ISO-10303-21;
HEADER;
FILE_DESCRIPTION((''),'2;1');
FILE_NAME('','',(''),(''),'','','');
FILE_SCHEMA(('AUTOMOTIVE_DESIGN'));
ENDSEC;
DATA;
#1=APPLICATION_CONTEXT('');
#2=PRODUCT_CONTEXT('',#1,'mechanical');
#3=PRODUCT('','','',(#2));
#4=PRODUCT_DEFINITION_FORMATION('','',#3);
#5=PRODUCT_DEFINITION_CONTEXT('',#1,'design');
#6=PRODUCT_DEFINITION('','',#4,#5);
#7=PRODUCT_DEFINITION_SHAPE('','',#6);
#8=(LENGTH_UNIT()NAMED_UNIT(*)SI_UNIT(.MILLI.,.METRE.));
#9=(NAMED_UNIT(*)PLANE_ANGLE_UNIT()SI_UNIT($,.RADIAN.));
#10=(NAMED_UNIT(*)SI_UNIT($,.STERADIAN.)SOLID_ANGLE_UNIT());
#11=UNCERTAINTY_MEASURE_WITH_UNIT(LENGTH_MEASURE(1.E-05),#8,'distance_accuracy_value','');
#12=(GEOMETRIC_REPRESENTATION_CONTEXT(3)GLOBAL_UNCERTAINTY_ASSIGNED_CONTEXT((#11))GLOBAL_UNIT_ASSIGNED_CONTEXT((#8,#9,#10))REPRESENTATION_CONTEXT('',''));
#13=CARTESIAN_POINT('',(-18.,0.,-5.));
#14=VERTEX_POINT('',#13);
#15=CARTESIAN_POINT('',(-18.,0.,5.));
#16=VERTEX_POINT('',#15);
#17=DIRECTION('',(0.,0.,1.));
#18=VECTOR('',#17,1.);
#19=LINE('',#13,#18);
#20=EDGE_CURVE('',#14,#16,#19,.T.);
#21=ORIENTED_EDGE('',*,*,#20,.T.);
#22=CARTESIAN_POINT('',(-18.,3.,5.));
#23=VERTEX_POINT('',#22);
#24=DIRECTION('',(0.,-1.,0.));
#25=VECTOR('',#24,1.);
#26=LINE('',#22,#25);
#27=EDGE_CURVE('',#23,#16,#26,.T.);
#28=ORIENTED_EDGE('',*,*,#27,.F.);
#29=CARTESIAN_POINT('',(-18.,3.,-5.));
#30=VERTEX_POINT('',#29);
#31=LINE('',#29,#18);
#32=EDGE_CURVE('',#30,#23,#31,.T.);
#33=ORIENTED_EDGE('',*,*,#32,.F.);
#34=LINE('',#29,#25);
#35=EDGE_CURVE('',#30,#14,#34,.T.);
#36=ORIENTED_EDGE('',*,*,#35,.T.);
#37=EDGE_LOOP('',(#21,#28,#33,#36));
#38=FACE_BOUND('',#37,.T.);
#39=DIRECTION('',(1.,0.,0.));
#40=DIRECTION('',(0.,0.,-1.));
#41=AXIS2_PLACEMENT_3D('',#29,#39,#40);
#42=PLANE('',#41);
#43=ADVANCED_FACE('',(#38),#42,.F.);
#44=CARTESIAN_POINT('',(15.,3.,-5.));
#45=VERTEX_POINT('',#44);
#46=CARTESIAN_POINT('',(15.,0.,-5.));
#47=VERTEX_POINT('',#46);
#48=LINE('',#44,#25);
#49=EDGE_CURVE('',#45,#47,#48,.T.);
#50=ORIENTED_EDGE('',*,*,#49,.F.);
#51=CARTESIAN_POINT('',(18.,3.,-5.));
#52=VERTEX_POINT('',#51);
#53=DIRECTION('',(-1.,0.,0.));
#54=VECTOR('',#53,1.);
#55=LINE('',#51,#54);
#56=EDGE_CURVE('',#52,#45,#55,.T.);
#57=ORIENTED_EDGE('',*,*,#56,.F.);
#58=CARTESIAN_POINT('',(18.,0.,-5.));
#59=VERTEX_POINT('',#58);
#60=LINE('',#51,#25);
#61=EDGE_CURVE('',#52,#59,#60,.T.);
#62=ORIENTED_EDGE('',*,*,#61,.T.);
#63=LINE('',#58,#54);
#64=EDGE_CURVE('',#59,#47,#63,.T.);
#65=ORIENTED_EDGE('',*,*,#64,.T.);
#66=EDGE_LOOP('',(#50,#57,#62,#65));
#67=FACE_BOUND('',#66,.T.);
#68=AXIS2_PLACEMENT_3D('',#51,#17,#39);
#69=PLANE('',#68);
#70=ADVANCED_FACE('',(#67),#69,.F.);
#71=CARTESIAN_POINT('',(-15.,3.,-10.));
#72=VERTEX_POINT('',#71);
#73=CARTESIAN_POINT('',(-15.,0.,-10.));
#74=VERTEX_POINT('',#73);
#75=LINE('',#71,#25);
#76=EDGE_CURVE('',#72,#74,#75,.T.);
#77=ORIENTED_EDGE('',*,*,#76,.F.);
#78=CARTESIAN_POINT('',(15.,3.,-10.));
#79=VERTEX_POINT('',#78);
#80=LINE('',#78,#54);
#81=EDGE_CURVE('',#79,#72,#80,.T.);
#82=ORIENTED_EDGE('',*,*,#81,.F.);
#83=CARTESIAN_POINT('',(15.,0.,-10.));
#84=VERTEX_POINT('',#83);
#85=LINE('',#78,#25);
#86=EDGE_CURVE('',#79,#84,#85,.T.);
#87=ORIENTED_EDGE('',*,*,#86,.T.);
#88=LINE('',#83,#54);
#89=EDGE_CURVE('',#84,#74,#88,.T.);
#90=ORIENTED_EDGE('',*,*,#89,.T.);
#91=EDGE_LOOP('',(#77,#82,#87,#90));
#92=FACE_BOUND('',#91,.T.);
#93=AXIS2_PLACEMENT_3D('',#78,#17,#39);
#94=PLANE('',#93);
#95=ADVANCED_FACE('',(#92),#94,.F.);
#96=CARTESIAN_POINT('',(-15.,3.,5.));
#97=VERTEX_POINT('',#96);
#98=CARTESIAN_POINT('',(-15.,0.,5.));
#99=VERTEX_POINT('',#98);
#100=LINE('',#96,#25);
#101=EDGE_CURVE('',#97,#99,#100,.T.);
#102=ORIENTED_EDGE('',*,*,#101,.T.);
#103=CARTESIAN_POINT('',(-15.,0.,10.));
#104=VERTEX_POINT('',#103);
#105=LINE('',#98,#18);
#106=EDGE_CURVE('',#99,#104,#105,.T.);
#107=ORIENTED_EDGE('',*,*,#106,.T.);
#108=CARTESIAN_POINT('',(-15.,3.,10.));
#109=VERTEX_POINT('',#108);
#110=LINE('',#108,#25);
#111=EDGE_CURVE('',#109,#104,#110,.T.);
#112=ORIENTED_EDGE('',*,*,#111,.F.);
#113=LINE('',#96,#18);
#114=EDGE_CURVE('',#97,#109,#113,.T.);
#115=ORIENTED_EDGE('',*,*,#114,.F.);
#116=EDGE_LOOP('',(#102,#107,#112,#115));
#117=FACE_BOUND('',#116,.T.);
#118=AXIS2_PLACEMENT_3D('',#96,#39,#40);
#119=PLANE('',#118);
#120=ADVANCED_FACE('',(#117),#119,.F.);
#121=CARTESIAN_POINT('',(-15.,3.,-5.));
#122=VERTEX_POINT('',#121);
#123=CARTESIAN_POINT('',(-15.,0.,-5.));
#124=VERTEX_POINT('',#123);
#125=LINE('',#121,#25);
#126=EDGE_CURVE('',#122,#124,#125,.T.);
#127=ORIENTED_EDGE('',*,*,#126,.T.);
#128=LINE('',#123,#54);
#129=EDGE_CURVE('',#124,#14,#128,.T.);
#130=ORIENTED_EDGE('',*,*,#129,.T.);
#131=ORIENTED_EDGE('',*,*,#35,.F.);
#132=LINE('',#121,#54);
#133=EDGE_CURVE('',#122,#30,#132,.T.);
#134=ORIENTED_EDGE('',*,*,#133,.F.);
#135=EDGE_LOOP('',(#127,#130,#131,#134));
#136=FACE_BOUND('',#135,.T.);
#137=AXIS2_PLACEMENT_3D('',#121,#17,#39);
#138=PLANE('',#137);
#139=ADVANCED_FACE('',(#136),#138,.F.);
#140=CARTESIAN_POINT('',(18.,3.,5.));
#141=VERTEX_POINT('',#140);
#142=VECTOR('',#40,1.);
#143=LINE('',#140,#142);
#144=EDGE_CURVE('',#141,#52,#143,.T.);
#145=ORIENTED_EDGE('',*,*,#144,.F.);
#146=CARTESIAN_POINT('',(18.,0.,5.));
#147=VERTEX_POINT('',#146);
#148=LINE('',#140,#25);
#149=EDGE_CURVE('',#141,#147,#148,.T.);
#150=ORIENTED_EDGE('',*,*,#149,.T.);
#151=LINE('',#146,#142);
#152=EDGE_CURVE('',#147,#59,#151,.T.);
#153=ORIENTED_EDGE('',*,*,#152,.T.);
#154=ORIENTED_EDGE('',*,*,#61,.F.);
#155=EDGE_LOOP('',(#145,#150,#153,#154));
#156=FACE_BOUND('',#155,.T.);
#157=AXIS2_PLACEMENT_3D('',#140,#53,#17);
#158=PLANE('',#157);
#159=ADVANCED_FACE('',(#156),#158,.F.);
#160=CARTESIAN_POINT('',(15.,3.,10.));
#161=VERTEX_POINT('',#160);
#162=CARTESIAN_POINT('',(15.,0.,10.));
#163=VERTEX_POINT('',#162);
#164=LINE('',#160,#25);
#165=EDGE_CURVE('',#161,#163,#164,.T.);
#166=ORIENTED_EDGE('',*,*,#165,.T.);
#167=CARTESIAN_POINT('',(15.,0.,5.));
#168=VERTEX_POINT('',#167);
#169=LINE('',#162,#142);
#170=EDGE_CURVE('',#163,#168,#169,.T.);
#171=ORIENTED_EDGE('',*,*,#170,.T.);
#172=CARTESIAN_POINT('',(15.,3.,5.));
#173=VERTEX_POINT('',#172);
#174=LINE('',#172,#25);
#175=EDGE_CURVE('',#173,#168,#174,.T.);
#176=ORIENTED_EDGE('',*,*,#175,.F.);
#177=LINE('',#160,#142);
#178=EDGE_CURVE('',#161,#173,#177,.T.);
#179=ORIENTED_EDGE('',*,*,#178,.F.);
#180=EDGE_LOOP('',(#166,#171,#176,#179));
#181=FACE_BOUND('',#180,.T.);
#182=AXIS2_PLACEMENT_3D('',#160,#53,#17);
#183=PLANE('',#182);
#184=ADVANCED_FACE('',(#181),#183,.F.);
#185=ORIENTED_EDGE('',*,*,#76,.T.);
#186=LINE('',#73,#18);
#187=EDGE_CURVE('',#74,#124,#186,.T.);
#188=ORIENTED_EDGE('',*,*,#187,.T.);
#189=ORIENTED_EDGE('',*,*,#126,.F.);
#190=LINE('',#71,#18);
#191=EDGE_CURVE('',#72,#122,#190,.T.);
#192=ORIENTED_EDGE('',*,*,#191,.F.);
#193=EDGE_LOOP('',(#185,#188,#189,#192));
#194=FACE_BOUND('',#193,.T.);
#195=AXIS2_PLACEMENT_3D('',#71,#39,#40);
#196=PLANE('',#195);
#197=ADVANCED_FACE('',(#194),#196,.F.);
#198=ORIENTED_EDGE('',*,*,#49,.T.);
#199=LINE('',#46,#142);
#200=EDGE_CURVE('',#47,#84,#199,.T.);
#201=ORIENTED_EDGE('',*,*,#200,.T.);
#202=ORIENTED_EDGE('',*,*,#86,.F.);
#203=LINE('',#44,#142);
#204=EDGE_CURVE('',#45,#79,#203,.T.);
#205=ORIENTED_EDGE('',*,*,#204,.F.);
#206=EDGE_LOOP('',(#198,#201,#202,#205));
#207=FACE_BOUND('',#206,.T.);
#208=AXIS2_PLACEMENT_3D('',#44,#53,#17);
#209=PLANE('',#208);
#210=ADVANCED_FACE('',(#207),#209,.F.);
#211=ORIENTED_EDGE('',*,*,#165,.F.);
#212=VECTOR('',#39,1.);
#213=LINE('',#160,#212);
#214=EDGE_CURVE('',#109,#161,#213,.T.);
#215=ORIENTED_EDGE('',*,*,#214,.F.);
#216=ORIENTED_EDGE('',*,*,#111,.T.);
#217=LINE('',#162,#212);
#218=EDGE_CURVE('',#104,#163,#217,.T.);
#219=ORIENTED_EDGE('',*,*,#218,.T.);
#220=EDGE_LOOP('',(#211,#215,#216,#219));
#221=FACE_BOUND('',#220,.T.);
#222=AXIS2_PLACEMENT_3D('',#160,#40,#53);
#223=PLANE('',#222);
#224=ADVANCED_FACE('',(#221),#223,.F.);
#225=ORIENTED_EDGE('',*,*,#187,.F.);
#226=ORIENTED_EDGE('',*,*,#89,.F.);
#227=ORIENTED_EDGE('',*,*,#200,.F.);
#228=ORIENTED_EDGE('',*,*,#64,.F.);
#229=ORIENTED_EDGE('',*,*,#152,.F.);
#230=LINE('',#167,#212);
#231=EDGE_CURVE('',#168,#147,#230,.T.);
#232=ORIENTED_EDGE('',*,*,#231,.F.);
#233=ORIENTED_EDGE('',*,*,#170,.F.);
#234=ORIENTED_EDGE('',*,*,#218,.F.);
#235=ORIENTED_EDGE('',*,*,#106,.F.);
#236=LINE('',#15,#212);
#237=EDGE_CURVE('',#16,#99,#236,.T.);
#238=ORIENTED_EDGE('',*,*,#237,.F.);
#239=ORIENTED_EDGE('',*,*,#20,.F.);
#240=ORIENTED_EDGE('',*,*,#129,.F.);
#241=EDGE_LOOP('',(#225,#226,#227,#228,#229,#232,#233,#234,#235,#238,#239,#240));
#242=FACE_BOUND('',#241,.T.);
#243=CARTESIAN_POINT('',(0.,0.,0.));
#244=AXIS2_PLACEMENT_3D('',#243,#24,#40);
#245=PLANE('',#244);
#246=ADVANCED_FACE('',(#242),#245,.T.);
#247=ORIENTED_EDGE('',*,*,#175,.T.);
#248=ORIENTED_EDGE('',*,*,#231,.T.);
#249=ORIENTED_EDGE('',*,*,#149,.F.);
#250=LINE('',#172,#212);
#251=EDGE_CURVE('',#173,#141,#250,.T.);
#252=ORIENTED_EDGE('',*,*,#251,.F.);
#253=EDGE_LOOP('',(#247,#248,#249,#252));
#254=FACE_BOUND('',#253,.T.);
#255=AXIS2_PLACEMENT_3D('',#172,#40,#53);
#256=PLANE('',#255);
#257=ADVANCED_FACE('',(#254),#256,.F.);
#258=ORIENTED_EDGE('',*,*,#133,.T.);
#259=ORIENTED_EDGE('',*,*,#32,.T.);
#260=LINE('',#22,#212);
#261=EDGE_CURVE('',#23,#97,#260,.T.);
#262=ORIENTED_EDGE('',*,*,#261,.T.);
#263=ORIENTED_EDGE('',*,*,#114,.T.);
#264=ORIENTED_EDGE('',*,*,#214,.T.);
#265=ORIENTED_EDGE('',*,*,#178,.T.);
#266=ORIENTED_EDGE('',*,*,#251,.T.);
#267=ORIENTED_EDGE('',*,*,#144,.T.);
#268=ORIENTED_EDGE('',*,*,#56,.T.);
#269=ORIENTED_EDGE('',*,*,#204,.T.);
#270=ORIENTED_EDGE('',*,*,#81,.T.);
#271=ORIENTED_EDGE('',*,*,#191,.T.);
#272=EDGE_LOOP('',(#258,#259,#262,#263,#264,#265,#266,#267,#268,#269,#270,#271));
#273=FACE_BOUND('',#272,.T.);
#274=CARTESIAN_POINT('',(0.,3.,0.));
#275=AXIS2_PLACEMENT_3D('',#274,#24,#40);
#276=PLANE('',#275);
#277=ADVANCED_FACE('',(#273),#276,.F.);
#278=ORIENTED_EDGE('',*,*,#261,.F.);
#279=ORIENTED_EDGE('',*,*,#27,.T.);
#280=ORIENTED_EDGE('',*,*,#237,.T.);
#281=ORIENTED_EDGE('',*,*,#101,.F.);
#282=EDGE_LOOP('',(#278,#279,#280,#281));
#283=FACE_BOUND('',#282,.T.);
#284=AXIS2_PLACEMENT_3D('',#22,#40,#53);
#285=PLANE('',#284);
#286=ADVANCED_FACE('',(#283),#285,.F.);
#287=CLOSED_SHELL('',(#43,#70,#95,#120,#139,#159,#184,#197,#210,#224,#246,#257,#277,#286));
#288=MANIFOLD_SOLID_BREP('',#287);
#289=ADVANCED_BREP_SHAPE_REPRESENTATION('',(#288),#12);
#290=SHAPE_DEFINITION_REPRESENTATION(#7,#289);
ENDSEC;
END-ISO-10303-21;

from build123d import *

# Parameters (mm, degrees)
BOSS_EXTRUDE1_DEPTH = 3


with BuildPart() as part:
    # Sketch1 → Boss-Extrude1 (new body)
    with BuildSketch(Plane(origin=(0, 0, 0), x_dir=(1, 0, 0), z_dir=(0, 1, 0))):
        Polygon((-15, 10), (-15, 5), (-18, 5), (-18, -5), (-15, -5), (-15, -10), (15, -10), (15, -5), (18, -5), (18, 5), (15, 5), (15, 10), align=None)
    extrude(amount=BOSS_EXTRUDE1_DEPTH)


solid = part.part
